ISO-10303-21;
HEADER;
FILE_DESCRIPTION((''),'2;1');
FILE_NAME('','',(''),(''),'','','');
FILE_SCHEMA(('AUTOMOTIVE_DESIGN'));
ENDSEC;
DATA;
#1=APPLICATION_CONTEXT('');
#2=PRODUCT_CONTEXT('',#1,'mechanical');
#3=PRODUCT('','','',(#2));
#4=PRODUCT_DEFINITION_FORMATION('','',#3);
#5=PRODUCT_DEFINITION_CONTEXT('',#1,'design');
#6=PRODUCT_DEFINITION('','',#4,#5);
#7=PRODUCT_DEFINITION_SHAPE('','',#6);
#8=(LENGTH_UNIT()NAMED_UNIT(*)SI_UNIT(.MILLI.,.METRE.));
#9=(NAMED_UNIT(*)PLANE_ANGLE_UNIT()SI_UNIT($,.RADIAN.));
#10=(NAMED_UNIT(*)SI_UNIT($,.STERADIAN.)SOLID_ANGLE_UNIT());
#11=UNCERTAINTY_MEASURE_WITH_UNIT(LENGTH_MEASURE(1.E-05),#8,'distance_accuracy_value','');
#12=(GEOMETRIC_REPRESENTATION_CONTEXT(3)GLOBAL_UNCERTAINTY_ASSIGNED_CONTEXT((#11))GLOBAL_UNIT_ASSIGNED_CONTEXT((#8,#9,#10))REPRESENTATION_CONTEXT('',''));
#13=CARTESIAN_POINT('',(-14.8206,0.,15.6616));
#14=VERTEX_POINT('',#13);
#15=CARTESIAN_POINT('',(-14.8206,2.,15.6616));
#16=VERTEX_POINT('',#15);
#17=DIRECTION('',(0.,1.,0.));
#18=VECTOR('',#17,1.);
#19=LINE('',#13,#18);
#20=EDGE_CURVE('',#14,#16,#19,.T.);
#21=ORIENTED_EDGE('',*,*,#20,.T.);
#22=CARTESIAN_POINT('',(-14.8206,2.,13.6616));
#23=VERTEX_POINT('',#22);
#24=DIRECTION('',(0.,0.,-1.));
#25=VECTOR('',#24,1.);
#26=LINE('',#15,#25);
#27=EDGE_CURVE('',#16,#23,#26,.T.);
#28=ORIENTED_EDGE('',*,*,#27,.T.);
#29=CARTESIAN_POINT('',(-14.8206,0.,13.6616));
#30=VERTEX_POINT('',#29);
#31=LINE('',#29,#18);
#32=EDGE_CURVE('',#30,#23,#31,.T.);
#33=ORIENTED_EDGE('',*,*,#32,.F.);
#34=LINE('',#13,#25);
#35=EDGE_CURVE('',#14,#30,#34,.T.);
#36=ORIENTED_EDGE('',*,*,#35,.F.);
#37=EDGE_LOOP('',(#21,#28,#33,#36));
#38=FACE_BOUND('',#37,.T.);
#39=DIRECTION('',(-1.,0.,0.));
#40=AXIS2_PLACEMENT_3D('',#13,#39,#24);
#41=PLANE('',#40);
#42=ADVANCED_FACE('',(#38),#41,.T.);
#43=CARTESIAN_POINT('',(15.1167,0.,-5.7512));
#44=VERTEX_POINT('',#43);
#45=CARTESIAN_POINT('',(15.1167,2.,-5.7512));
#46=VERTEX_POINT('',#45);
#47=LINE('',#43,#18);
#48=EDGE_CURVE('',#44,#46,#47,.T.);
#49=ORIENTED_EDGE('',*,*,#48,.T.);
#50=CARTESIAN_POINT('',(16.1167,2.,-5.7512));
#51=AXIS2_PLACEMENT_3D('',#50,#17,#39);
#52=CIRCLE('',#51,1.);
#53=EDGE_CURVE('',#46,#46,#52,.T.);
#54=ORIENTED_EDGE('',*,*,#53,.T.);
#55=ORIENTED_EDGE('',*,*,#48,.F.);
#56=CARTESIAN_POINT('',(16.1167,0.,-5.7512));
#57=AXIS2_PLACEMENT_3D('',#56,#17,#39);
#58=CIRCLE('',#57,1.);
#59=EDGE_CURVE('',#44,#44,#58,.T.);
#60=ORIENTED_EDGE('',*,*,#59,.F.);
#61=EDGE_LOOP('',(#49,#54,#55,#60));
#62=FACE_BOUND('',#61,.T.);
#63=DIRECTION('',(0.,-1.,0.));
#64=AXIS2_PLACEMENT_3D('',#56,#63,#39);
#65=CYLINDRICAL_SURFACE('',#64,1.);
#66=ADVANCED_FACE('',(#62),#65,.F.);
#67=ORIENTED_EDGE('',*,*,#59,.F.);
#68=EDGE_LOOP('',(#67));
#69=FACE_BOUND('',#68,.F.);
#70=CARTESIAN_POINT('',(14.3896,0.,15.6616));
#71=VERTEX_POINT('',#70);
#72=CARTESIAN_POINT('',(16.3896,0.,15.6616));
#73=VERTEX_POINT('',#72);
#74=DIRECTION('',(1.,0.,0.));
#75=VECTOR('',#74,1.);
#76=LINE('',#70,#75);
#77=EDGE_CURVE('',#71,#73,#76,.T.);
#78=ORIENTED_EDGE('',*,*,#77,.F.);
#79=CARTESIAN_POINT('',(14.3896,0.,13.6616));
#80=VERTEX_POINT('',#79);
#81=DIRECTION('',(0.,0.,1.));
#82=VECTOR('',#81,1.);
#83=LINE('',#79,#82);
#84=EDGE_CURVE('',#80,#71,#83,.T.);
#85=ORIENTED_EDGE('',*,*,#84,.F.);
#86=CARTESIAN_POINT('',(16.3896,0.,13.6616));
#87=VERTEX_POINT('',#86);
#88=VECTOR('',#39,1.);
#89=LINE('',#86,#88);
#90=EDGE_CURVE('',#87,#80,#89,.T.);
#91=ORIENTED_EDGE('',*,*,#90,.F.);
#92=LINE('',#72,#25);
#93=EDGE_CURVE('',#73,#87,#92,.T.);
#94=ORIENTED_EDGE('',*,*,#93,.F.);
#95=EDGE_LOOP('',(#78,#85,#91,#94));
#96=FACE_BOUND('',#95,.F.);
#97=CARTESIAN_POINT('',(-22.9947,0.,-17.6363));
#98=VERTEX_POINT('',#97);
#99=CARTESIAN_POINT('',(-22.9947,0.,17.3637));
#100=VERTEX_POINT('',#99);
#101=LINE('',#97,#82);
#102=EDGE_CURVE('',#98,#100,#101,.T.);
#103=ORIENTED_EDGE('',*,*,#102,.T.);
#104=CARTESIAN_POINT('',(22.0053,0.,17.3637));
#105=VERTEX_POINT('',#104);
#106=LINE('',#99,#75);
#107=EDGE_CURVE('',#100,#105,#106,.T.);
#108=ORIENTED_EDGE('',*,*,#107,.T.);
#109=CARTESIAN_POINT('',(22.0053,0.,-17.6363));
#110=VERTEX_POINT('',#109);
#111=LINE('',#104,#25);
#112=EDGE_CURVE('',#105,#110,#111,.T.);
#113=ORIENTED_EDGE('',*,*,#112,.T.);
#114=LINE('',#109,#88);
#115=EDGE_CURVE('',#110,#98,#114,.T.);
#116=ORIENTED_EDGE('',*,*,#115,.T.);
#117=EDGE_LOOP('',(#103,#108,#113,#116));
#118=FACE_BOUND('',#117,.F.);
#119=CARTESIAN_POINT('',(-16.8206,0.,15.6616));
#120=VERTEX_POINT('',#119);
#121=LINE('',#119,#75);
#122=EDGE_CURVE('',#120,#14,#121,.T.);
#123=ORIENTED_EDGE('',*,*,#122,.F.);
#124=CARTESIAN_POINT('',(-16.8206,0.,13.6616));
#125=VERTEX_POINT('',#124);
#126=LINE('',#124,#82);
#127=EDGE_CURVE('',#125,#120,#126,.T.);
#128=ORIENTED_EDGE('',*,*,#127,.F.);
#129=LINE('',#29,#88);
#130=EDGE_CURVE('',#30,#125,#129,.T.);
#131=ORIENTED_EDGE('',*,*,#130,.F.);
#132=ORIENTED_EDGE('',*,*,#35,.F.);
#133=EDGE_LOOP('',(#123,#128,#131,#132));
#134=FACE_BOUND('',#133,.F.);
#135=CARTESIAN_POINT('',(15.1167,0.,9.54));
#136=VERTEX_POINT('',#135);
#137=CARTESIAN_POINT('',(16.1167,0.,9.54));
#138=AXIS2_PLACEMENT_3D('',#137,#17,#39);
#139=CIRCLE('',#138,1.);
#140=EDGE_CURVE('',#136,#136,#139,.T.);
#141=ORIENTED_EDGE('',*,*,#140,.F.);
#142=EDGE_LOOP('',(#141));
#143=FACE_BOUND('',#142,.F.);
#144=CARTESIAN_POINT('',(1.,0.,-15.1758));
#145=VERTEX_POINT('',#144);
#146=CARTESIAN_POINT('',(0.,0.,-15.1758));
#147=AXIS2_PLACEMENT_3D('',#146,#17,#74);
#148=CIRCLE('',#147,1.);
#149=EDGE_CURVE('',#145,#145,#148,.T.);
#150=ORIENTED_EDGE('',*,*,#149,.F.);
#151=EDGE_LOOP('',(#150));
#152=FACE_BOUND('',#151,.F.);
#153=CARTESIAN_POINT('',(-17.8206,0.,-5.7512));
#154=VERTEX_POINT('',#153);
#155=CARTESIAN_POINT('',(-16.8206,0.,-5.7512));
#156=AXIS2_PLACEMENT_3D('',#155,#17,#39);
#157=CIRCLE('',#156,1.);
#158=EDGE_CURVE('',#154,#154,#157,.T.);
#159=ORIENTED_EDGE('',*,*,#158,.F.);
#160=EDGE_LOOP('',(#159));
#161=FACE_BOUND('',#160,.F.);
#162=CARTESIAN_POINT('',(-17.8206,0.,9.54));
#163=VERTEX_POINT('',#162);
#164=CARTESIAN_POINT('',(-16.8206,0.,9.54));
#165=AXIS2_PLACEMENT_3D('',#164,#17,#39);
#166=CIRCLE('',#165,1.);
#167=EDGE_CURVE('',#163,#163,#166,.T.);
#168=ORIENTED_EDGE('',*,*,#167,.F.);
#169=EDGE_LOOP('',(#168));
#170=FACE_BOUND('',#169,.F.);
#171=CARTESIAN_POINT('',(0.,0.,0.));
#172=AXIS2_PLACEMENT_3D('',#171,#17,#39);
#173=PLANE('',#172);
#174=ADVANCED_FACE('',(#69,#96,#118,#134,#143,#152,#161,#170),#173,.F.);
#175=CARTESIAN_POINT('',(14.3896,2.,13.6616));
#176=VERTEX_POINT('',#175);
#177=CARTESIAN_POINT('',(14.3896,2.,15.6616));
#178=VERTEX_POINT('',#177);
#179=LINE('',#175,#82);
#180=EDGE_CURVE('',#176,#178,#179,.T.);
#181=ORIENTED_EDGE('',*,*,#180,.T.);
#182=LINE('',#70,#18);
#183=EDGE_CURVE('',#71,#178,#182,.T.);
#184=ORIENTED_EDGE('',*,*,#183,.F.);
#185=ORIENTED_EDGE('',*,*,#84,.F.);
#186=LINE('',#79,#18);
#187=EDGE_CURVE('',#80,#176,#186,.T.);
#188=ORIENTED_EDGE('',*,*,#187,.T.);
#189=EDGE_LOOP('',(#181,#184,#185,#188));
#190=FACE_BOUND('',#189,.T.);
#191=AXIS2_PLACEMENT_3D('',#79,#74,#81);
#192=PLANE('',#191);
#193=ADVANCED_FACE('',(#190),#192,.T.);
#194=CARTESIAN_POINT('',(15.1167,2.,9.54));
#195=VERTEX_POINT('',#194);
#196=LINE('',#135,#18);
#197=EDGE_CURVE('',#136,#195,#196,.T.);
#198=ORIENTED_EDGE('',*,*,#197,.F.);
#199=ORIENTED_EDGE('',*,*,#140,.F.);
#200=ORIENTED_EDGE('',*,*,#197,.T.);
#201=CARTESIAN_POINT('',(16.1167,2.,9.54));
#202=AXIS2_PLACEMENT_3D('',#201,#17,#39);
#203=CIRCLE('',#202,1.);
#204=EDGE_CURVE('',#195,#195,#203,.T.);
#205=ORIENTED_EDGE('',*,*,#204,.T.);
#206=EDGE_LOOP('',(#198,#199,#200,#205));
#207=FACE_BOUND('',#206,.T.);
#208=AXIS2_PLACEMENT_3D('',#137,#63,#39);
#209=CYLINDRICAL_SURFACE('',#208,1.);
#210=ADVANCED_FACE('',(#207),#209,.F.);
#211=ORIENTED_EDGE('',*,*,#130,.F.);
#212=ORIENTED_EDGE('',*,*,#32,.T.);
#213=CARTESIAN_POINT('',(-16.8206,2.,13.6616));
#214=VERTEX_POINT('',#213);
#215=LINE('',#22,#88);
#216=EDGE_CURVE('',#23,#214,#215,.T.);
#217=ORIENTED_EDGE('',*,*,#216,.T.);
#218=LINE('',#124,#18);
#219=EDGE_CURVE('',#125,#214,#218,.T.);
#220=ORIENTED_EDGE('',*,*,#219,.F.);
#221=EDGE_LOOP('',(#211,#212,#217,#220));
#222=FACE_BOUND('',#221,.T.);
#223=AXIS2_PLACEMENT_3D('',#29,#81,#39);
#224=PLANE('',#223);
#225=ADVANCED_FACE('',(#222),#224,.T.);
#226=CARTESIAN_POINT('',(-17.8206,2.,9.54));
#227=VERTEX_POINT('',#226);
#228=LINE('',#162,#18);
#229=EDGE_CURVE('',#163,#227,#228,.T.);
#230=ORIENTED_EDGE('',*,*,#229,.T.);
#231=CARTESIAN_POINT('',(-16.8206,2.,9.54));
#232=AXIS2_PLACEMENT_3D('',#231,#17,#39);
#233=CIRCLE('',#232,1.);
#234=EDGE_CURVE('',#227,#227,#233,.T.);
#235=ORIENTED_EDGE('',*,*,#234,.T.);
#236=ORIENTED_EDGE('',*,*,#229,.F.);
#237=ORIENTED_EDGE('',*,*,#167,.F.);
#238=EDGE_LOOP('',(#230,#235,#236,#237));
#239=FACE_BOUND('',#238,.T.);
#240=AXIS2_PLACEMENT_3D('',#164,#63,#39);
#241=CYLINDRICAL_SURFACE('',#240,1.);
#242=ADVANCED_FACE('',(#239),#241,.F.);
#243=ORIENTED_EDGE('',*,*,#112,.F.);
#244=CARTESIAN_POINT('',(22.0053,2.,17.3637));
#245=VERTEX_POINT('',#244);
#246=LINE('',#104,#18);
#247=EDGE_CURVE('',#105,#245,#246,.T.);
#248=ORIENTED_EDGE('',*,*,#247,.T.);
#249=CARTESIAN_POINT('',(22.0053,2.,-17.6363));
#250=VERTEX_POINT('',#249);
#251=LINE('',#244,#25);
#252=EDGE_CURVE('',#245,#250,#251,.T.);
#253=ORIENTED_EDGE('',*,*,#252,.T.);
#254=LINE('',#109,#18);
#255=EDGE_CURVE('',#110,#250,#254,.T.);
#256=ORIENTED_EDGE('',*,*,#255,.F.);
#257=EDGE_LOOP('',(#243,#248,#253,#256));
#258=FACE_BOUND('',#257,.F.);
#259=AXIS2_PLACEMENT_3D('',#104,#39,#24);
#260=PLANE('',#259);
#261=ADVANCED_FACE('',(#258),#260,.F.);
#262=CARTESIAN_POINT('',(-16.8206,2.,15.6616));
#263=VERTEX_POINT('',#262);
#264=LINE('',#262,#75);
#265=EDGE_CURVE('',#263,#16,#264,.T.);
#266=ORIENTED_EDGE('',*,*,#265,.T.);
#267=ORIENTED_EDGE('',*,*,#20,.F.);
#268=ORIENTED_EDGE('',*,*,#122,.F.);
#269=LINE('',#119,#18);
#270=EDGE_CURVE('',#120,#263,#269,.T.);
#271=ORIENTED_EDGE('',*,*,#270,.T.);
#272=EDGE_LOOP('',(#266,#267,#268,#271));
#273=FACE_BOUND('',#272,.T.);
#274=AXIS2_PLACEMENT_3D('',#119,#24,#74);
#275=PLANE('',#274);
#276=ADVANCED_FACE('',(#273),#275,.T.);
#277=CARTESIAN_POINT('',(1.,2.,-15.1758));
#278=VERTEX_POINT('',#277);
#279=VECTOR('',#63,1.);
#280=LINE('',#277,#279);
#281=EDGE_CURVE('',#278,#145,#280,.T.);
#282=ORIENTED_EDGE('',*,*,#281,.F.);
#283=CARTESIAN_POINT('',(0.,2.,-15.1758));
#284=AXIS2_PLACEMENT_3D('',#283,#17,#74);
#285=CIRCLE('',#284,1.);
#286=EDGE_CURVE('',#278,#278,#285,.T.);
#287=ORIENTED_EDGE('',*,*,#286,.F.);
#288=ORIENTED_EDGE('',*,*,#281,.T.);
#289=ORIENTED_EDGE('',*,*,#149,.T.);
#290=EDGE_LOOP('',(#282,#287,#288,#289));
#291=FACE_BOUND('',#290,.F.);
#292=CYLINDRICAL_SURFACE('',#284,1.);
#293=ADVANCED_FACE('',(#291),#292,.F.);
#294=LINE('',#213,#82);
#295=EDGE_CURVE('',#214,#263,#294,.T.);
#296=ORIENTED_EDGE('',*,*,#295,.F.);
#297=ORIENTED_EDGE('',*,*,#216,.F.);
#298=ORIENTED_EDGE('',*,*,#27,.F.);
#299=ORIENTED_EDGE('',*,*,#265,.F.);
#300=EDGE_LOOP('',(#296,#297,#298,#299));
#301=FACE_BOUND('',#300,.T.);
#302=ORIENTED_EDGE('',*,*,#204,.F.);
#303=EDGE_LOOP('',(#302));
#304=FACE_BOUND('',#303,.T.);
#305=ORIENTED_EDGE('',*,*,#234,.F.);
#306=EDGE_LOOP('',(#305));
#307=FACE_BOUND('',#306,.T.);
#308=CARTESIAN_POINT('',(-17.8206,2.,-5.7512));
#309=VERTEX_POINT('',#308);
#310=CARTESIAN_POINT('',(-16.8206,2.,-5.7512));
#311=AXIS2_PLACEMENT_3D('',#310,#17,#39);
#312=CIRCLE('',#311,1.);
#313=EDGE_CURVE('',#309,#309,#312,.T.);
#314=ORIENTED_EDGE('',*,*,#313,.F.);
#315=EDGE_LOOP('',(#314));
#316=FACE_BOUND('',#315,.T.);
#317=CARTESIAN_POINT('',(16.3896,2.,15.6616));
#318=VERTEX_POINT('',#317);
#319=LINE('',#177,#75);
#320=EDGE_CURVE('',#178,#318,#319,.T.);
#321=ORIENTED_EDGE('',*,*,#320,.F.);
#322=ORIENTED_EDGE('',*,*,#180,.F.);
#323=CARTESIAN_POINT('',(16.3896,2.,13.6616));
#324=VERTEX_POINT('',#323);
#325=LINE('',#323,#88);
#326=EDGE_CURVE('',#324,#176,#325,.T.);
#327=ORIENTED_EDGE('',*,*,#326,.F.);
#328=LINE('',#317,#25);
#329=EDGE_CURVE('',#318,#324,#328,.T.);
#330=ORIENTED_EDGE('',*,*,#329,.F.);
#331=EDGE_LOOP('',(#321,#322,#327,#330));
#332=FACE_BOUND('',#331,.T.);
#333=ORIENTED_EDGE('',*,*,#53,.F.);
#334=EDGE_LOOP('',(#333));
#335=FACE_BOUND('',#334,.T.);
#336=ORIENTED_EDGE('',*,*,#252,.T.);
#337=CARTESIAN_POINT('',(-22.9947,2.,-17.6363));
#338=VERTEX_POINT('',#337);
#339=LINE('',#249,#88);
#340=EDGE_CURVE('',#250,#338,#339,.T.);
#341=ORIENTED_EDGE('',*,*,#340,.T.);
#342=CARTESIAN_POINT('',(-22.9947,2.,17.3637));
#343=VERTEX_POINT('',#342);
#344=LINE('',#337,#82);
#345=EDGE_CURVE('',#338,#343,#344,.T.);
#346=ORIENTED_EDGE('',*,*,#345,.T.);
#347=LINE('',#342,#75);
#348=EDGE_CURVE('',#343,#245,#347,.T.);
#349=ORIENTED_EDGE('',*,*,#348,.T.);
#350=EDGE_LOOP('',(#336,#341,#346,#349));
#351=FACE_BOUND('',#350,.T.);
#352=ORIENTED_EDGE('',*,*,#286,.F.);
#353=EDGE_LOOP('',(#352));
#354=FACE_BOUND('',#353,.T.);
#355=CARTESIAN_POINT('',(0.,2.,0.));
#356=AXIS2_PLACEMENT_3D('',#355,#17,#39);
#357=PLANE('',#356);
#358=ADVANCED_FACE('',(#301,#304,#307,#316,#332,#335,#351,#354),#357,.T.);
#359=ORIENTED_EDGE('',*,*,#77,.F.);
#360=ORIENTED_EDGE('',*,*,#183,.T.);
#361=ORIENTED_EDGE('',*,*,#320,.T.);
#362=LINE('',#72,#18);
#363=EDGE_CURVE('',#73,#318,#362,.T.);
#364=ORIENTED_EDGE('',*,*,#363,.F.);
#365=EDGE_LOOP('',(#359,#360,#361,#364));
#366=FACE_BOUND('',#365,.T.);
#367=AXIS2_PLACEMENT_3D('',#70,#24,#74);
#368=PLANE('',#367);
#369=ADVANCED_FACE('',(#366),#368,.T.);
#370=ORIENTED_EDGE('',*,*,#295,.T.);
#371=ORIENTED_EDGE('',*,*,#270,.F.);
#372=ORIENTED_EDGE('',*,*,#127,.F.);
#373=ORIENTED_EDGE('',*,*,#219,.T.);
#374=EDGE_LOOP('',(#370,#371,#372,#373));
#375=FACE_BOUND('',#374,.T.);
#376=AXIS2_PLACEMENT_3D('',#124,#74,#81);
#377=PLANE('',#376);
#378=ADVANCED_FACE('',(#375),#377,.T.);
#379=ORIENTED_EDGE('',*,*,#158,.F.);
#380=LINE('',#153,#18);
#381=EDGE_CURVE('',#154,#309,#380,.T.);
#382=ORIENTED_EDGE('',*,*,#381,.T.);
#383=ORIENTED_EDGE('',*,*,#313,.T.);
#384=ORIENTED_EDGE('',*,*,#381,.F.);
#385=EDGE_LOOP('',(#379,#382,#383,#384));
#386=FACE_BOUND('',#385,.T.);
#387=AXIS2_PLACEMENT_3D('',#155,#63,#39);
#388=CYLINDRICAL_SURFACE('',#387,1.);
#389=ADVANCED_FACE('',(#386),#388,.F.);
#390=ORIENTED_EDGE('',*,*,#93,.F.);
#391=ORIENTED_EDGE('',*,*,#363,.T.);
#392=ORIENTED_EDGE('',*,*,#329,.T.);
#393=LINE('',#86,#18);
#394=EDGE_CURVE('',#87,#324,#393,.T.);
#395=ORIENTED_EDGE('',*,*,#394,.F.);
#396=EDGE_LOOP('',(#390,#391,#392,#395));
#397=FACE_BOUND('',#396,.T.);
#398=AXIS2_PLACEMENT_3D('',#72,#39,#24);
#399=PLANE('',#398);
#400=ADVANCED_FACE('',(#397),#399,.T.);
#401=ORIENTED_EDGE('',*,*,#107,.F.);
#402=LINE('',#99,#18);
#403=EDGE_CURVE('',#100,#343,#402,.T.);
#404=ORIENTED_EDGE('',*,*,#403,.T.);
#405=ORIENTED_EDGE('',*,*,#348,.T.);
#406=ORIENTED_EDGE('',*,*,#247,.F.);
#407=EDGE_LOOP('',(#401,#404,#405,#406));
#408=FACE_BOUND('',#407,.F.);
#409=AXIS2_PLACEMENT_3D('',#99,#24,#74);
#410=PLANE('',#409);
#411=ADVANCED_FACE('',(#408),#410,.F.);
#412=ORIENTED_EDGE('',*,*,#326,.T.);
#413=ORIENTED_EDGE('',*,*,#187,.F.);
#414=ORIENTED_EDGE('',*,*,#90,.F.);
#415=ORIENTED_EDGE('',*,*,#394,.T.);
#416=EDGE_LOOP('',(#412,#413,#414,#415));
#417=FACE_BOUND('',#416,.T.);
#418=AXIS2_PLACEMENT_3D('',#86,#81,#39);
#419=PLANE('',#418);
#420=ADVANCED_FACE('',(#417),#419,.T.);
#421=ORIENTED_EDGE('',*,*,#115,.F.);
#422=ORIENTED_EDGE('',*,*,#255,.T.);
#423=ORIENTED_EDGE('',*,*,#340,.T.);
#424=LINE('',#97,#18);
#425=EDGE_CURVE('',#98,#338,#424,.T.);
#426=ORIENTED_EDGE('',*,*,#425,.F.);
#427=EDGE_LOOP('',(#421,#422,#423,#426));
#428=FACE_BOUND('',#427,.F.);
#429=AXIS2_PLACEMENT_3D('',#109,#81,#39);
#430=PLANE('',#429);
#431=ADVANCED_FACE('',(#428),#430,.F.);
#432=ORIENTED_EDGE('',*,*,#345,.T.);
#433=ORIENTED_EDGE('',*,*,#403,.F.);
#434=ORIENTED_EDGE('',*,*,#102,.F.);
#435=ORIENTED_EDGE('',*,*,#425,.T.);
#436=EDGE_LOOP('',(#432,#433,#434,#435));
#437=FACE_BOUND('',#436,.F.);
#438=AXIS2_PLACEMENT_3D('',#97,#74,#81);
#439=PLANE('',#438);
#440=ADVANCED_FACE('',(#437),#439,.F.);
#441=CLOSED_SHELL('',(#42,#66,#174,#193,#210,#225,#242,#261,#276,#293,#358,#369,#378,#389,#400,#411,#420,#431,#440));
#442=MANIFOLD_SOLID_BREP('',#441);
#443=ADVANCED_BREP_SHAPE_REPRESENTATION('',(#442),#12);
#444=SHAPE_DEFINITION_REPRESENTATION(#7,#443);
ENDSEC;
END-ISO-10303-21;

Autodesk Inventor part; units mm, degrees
ref_plane "YZ Plane" through (0, 0, 0) normal (1, 0, 0) x (0, 1, 0)
ref_plane "XZ Plane" through (0, 0, 0) normal (0, 1, 0) x (-1, 0, 0)
ref_plane "XY Plane" through (0, 0, 0) normal (0, 0, 1) x (1, 0, 0)
sketch "Sketch1" plane through (0, 0, 0) normal (0, 1, 0) x (-1, 0, 0)
  line L0 (22.9947, 17.3637) -> (-22.0053, 17.3637)
  line L1 (-22.0053, 17.3637) -> (-22.0053, -17.6363)
  line L2 (-22.0053, -17.6363) -> (22.9947, -17.6363)
  line L3 (22.9947, -17.6363) -> (22.9947, 17.3637)
  circle A0 centre (16.8206, -5.7512) radius 1
  circle A1 centre (-16.1167, -5.7512) radius 1
  circle A2 centre (-16.1167, 9.54) radius 1
  circle A3 centre (16.8206, 9.54) radius 1
  line L4 (16.8206, 15.6616) -> (14.8206, 15.6616)
  line L5 (14.8206, 15.6616) -> (14.8206, 13.6616)
  line L6 (14.8206, 13.6616) -> (16.8206, 13.6616)
  line L7 (16.8206, 13.6616) -> (16.8206, 15.6616)
  line L8 (-16.3896, 13.6616) -> (-14.3896, 13.6616)
  line L9 (-14.3896, 13.6616) -> (-14.3896, 15.6616)
  line L10 (-14.3896, 15.6616) -> (-16.3896, 15.6616)
  line L11 (-16.3896, 15.6616) -> (-16.3896, 13.6616)
  line L12 (14.8206, 13.6616) -> (-14.3896, 13.6616)
  circle A4 centre (0.2155, -14.9426) radius 1
  point P0 (0, 0)
  dimension "d0" = 45
  dimension "d1" = 35
  dimension "d2" = 2
  dimension "d3" = 2
  dimension "d4" = 2
  dimension "d5" = 2
  dimension "d6" = 2
  dimension "d7" = 2
  dimension "d8" = 2
  dimension "d9" = 2
  dimension "d10" = 29.2102
  dimension "d13" = 2
extrude "Extrusion1" add sketch "Sketch1" along normal blind 2 contours L3 L2 L1 L0 | A4
sketch "Sketch2" plane through (0, 2, 0) normal (0, 1, 0) x (1, 0, 0)
  circle A0 centre (0, 15.1758) radius 1
  point P0 (0, 0)
  dimension "d14" = 2
extrude "Extrusion2" cut sketch "Sketch2" against normal blind 10
properties part number "baseforclamp"
